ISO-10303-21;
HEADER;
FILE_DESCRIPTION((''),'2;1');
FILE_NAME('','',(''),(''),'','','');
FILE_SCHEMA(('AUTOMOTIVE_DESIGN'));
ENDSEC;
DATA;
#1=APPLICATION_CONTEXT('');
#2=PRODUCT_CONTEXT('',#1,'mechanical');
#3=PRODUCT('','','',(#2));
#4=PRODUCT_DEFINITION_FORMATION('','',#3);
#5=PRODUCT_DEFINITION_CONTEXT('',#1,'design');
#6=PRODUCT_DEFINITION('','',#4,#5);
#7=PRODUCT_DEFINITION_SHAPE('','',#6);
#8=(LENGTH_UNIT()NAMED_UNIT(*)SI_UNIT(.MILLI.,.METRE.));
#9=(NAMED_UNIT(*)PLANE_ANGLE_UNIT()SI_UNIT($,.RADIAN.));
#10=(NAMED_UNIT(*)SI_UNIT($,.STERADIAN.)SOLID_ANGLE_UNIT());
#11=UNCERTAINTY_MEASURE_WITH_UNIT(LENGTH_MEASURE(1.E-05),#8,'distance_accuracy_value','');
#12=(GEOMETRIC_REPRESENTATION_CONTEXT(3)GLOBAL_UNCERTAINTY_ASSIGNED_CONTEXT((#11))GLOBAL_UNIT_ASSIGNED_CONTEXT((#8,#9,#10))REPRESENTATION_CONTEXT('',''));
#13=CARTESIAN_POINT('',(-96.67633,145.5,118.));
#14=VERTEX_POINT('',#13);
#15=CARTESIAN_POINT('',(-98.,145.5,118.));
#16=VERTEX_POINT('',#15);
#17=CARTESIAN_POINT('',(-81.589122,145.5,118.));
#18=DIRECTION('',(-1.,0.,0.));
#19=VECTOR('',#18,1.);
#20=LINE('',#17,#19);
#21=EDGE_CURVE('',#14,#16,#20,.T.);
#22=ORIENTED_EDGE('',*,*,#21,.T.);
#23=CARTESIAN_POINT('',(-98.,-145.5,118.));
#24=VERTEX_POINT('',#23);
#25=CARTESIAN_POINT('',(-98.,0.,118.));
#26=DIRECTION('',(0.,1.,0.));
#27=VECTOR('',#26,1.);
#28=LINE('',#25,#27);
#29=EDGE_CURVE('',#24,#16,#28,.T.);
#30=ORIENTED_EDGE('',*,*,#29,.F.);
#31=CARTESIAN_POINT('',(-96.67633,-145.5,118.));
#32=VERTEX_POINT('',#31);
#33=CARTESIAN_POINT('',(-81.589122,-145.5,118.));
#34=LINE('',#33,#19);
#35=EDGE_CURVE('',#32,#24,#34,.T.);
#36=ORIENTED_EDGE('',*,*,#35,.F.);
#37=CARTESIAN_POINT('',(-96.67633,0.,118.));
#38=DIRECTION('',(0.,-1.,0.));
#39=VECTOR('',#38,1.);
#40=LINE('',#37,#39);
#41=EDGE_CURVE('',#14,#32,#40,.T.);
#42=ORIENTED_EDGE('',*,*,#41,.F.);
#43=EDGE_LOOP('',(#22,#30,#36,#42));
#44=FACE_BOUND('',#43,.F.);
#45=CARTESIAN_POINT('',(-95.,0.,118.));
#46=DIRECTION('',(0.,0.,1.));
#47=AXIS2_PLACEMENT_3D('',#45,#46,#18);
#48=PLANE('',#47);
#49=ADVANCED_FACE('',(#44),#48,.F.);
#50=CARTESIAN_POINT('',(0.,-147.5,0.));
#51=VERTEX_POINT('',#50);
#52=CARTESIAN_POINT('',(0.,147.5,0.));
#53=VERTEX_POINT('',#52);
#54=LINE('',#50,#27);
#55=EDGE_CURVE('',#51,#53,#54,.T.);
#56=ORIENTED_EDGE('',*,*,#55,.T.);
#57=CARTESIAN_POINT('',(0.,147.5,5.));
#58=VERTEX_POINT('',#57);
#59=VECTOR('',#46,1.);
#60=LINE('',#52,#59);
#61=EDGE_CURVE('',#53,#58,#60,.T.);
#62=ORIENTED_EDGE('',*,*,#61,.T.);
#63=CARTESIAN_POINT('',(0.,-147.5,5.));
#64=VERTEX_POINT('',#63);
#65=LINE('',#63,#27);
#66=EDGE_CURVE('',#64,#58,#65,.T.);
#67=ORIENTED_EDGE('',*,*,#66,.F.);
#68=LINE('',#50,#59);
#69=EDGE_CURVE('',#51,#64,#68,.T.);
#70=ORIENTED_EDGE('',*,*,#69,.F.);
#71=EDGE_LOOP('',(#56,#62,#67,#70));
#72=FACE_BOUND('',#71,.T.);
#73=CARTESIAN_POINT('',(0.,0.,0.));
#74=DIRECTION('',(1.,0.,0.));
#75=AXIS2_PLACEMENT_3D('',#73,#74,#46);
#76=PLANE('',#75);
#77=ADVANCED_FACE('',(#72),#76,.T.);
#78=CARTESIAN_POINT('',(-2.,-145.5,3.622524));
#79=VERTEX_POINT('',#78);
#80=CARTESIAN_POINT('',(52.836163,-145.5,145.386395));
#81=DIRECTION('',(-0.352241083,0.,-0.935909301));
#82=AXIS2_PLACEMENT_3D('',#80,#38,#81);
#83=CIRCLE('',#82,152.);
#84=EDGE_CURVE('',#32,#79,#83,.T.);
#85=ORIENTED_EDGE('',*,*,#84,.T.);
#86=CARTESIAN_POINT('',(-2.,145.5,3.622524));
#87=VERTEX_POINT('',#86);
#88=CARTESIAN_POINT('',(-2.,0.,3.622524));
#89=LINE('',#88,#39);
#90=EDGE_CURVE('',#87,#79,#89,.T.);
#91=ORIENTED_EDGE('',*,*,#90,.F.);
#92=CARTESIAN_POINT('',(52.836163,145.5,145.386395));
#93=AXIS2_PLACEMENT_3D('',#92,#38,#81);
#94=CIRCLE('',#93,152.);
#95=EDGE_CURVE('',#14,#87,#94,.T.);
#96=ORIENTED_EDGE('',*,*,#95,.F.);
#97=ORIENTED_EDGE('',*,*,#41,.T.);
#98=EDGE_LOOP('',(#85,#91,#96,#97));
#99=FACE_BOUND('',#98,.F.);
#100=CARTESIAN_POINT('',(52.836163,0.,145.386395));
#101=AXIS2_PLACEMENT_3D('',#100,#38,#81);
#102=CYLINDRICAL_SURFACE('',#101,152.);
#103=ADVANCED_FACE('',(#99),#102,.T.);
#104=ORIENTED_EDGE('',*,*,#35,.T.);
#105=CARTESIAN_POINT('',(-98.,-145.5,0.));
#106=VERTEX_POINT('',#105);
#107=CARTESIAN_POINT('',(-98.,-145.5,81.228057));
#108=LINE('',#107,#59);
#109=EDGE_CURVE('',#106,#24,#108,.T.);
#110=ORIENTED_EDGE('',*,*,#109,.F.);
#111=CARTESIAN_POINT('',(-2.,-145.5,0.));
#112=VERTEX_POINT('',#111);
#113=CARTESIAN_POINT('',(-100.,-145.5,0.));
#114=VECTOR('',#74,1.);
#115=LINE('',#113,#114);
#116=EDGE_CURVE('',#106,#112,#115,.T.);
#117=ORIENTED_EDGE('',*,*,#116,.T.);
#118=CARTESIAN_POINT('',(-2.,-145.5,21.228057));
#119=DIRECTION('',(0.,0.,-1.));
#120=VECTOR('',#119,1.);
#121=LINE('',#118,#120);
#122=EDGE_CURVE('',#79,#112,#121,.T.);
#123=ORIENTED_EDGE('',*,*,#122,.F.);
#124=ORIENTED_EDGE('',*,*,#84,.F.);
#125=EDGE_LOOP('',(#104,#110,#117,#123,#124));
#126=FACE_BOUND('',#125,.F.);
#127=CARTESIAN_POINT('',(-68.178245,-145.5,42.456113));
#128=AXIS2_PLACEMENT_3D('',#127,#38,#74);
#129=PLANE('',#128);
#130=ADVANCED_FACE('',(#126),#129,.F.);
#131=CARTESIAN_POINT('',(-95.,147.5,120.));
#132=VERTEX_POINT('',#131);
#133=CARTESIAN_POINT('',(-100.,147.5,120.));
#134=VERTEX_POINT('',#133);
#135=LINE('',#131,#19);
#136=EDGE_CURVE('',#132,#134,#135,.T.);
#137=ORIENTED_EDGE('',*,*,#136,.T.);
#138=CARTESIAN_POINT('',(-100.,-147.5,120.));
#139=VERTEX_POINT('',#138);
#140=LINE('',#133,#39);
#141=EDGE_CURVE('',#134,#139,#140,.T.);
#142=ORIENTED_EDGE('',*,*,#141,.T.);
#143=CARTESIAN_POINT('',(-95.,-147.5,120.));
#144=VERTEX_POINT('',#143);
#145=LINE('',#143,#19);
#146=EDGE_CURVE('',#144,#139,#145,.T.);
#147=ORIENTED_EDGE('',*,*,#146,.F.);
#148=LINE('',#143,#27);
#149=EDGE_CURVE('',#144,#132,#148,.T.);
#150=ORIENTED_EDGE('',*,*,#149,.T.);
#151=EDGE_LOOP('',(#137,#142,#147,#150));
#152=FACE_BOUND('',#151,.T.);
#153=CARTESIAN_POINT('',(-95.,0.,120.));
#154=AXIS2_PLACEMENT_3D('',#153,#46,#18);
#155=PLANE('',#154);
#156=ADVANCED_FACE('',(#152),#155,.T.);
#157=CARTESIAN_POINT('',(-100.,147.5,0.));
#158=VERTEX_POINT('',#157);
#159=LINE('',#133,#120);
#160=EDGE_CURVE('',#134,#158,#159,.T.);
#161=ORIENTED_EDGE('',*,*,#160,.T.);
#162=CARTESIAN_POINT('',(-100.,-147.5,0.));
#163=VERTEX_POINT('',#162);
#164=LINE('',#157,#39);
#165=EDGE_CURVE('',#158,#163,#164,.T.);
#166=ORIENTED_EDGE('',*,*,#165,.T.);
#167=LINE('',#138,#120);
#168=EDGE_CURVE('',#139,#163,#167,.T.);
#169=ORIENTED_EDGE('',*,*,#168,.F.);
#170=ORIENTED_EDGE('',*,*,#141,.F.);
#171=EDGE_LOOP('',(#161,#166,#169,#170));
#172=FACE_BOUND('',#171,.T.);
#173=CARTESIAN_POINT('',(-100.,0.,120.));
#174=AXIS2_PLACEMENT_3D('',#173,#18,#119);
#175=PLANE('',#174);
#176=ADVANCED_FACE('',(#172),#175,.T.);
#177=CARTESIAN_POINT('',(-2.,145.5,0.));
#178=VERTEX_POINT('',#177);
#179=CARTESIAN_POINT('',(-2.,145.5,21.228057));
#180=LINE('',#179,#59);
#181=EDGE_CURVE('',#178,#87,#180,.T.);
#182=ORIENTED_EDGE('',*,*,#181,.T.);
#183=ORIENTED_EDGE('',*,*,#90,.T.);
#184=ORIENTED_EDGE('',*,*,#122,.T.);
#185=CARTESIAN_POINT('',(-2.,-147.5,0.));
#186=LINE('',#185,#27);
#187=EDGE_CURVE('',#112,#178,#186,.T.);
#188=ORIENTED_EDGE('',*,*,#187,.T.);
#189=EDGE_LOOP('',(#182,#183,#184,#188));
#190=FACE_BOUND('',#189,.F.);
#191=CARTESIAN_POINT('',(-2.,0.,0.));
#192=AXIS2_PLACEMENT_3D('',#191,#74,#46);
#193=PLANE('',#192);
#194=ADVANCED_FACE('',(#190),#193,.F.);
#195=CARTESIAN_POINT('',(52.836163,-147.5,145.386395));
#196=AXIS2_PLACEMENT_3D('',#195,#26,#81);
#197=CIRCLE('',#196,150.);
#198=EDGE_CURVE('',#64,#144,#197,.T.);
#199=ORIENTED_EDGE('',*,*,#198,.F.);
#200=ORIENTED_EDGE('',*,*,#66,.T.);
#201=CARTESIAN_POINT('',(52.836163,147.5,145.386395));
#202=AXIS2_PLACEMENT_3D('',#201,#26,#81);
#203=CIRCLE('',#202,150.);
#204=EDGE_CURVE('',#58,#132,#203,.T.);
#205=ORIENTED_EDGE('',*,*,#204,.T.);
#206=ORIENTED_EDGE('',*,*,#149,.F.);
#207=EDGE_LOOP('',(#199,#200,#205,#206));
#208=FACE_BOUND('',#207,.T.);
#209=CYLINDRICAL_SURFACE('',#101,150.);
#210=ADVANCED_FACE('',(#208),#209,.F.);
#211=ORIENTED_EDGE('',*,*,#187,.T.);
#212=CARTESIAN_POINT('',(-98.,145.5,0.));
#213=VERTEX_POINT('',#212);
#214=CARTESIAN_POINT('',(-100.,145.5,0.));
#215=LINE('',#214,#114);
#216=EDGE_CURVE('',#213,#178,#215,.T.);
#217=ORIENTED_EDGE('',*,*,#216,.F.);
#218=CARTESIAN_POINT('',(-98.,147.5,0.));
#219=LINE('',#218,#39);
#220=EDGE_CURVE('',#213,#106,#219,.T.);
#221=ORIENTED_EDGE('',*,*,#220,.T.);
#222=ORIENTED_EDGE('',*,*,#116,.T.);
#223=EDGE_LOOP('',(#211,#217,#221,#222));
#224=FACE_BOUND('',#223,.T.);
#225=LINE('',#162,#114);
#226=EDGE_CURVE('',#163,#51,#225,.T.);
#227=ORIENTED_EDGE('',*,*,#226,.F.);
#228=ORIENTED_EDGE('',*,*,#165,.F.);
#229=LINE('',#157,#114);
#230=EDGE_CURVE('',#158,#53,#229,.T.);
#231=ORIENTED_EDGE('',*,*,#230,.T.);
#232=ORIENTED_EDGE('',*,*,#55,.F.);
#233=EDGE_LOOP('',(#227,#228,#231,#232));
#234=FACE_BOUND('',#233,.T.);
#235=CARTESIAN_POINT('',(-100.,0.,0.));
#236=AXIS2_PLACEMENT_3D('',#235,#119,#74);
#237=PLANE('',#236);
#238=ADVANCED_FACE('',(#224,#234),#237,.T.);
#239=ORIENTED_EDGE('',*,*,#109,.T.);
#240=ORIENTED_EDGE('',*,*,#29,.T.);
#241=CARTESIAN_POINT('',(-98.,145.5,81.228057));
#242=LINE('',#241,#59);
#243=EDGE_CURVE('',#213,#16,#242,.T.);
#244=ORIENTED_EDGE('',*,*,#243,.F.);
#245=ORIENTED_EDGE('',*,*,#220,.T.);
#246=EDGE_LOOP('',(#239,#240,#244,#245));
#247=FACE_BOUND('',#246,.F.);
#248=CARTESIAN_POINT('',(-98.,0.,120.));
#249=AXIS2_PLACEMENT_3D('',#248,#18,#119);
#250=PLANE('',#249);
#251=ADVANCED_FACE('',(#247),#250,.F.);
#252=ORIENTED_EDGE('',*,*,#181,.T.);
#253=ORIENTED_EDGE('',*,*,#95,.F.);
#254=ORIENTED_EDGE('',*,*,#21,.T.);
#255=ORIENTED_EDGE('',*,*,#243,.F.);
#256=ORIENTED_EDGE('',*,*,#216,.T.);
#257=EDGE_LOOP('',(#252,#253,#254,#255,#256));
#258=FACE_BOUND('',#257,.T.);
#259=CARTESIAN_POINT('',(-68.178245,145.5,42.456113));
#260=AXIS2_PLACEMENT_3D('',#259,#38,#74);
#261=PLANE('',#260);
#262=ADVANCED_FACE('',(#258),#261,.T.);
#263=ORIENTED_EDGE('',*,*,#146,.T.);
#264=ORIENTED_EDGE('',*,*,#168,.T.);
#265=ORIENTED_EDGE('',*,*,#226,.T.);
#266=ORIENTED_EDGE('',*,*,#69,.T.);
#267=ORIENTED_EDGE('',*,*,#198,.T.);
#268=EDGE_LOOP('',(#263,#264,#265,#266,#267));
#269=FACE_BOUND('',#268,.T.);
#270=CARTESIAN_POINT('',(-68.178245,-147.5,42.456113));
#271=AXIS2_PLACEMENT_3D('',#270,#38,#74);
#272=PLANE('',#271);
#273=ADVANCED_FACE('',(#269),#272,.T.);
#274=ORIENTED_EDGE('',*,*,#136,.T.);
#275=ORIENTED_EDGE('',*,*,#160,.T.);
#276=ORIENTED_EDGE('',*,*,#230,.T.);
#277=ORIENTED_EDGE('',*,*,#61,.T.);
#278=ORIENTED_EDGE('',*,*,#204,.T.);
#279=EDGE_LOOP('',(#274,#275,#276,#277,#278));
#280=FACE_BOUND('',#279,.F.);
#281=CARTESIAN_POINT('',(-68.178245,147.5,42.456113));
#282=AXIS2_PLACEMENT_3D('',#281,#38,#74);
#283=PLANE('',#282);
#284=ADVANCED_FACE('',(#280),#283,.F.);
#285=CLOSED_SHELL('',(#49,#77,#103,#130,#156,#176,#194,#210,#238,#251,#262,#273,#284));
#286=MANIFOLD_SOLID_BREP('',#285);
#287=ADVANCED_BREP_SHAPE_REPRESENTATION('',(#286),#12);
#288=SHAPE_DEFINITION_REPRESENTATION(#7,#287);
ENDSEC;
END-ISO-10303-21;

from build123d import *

# Parameters (mm, degrees)
F1_DEPTH = 147.5
F2_T     = -2


with BuildPart() as f1:
    # F0 (on Front) → F1 (new body, symmetric)
    with BuildSketch(Plane.XZ):
        with BuildLine():
            Line((-95, 120), (-100, 120))
            Line((-100, 120), (-100, 0))
            Line((-100, 0), (0, 0))
            Line((0, 0), (0, 5))
            ThreePointArc((0, 5), (-62.8081002421, 49.8541780609), (-95, 120))
        make_face()
    extrude(amount=F1_DEPTH, both=True)

    # F2
    f2_openings = [f1.faces().sort_by_distance(p)[0] for p in [
        (-50, 0, 0),
    ]]
    offset(amount=F2_T, openings=f2_openings)


solid = f1.part
